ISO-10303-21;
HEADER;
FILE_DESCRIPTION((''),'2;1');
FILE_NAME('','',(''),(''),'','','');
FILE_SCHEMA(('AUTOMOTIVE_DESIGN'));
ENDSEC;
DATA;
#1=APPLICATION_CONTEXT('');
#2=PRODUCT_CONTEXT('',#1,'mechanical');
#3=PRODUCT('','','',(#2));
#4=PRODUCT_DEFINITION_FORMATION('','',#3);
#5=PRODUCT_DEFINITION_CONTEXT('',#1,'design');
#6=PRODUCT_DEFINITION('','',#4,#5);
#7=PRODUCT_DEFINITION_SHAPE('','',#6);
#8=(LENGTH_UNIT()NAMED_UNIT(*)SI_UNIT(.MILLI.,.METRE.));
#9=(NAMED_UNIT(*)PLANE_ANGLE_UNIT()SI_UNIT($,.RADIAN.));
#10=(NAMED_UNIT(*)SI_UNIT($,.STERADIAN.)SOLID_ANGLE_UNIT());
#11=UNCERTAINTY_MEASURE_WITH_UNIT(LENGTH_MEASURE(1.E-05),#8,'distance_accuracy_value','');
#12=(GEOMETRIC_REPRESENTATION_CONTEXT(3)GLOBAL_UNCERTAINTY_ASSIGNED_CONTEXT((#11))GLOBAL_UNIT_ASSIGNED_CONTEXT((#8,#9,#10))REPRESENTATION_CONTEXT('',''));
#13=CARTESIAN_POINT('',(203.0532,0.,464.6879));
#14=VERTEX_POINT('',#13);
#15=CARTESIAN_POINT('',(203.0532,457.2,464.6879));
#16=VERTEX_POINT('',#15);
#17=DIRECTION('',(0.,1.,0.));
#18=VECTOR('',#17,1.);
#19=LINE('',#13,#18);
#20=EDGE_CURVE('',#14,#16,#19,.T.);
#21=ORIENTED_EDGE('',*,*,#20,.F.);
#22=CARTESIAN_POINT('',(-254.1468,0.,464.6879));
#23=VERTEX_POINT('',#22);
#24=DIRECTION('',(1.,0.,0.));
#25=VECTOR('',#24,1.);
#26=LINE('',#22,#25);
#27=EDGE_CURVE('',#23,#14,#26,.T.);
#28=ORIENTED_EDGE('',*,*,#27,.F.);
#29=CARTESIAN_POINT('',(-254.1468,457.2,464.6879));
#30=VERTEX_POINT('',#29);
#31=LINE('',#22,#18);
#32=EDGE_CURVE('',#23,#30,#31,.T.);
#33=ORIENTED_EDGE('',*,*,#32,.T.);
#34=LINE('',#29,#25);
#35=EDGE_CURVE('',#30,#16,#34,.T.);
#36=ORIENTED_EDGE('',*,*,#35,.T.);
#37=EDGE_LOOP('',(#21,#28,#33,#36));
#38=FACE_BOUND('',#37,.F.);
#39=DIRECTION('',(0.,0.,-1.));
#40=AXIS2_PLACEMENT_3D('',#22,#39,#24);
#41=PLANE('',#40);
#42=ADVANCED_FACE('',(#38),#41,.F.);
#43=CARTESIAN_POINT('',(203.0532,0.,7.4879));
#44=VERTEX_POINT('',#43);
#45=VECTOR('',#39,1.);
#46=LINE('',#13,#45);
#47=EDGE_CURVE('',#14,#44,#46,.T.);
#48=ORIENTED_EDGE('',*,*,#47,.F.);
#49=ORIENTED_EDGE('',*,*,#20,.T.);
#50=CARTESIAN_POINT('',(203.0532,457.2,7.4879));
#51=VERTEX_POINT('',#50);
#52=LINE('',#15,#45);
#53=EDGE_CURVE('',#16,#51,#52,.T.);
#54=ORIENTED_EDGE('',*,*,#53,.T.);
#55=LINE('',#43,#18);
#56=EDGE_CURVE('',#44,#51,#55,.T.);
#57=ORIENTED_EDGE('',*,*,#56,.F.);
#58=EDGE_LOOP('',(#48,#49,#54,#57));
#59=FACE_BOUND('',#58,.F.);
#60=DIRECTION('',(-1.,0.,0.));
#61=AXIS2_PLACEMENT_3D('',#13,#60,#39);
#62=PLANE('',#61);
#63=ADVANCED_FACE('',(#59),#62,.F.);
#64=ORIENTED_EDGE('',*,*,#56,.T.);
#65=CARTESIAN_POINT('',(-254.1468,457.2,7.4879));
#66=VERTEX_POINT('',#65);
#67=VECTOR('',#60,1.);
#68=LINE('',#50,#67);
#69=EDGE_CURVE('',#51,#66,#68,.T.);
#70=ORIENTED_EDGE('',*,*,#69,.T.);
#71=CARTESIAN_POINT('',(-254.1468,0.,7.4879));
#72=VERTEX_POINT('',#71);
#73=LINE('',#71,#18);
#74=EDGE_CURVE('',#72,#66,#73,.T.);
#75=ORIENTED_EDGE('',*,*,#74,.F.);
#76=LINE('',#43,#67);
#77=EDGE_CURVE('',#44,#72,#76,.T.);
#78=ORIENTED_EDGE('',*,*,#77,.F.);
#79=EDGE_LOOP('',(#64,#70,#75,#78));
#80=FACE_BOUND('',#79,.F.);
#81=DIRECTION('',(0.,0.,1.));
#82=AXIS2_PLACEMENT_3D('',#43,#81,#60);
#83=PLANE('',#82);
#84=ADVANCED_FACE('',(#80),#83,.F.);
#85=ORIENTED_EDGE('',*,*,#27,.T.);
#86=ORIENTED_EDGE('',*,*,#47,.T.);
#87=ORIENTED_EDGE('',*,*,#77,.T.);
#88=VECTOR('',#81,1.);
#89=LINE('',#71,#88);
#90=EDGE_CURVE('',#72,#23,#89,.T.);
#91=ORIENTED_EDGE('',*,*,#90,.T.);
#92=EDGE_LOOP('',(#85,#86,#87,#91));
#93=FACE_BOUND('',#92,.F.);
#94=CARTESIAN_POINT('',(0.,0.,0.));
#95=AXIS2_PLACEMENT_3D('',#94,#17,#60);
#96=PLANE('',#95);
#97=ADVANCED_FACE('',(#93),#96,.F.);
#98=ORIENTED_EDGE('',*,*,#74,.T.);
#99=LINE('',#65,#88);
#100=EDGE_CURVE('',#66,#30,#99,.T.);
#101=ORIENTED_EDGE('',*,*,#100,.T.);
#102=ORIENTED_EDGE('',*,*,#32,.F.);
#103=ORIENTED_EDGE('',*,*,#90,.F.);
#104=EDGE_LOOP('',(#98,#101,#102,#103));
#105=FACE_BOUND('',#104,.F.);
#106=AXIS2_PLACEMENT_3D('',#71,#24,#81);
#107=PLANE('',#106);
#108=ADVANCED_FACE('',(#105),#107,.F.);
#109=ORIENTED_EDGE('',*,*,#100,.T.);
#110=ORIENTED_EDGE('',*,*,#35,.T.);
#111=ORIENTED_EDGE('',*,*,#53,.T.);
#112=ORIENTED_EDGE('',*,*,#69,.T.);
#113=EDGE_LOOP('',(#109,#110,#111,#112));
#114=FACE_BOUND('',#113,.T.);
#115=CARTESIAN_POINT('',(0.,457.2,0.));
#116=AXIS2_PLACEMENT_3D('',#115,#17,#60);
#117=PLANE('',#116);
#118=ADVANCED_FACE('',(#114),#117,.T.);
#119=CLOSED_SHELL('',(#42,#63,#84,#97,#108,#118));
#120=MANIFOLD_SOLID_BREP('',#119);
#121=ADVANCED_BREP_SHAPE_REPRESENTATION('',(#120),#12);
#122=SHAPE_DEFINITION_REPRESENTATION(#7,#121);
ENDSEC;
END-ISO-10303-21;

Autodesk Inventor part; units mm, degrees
ref_plane "YZ Plane" through (0, 0, 0) normal (1, 0, 0) x (0, 1, 0)
ref_plane "XZ Plane" through (0, 0, 0) normal (0, 1, 0) x (-1, 0, 0)
ref_plane "XY Plane" through (0, 0, 0) normal (0, 0, 1) x (1, 0, 0)
sketch "Sketch1" plane through (0, 0, 0) normal (0, 1, 0) x (-1, 0, 0)
  line L0 (254.1468, 464.6879) -> (-203.0532, 464.6879)
  line L1 (-203.0532, 464.6879) -> (-203.0532, 7.4879)
  line L2 (-203.0532, 7.4879) -> (254.1468, 7.4879)
  line L3 (254.1468, 7.4879) -> (254.1468, 464.6879)
  point P0 (0, 0)
  dimension "d0" = 457.2
  dimension "d1" = 457.2
extrude "Extrusion1" add sketch "Sketch1" along normal blind 457.2
properties part number "Cube"
